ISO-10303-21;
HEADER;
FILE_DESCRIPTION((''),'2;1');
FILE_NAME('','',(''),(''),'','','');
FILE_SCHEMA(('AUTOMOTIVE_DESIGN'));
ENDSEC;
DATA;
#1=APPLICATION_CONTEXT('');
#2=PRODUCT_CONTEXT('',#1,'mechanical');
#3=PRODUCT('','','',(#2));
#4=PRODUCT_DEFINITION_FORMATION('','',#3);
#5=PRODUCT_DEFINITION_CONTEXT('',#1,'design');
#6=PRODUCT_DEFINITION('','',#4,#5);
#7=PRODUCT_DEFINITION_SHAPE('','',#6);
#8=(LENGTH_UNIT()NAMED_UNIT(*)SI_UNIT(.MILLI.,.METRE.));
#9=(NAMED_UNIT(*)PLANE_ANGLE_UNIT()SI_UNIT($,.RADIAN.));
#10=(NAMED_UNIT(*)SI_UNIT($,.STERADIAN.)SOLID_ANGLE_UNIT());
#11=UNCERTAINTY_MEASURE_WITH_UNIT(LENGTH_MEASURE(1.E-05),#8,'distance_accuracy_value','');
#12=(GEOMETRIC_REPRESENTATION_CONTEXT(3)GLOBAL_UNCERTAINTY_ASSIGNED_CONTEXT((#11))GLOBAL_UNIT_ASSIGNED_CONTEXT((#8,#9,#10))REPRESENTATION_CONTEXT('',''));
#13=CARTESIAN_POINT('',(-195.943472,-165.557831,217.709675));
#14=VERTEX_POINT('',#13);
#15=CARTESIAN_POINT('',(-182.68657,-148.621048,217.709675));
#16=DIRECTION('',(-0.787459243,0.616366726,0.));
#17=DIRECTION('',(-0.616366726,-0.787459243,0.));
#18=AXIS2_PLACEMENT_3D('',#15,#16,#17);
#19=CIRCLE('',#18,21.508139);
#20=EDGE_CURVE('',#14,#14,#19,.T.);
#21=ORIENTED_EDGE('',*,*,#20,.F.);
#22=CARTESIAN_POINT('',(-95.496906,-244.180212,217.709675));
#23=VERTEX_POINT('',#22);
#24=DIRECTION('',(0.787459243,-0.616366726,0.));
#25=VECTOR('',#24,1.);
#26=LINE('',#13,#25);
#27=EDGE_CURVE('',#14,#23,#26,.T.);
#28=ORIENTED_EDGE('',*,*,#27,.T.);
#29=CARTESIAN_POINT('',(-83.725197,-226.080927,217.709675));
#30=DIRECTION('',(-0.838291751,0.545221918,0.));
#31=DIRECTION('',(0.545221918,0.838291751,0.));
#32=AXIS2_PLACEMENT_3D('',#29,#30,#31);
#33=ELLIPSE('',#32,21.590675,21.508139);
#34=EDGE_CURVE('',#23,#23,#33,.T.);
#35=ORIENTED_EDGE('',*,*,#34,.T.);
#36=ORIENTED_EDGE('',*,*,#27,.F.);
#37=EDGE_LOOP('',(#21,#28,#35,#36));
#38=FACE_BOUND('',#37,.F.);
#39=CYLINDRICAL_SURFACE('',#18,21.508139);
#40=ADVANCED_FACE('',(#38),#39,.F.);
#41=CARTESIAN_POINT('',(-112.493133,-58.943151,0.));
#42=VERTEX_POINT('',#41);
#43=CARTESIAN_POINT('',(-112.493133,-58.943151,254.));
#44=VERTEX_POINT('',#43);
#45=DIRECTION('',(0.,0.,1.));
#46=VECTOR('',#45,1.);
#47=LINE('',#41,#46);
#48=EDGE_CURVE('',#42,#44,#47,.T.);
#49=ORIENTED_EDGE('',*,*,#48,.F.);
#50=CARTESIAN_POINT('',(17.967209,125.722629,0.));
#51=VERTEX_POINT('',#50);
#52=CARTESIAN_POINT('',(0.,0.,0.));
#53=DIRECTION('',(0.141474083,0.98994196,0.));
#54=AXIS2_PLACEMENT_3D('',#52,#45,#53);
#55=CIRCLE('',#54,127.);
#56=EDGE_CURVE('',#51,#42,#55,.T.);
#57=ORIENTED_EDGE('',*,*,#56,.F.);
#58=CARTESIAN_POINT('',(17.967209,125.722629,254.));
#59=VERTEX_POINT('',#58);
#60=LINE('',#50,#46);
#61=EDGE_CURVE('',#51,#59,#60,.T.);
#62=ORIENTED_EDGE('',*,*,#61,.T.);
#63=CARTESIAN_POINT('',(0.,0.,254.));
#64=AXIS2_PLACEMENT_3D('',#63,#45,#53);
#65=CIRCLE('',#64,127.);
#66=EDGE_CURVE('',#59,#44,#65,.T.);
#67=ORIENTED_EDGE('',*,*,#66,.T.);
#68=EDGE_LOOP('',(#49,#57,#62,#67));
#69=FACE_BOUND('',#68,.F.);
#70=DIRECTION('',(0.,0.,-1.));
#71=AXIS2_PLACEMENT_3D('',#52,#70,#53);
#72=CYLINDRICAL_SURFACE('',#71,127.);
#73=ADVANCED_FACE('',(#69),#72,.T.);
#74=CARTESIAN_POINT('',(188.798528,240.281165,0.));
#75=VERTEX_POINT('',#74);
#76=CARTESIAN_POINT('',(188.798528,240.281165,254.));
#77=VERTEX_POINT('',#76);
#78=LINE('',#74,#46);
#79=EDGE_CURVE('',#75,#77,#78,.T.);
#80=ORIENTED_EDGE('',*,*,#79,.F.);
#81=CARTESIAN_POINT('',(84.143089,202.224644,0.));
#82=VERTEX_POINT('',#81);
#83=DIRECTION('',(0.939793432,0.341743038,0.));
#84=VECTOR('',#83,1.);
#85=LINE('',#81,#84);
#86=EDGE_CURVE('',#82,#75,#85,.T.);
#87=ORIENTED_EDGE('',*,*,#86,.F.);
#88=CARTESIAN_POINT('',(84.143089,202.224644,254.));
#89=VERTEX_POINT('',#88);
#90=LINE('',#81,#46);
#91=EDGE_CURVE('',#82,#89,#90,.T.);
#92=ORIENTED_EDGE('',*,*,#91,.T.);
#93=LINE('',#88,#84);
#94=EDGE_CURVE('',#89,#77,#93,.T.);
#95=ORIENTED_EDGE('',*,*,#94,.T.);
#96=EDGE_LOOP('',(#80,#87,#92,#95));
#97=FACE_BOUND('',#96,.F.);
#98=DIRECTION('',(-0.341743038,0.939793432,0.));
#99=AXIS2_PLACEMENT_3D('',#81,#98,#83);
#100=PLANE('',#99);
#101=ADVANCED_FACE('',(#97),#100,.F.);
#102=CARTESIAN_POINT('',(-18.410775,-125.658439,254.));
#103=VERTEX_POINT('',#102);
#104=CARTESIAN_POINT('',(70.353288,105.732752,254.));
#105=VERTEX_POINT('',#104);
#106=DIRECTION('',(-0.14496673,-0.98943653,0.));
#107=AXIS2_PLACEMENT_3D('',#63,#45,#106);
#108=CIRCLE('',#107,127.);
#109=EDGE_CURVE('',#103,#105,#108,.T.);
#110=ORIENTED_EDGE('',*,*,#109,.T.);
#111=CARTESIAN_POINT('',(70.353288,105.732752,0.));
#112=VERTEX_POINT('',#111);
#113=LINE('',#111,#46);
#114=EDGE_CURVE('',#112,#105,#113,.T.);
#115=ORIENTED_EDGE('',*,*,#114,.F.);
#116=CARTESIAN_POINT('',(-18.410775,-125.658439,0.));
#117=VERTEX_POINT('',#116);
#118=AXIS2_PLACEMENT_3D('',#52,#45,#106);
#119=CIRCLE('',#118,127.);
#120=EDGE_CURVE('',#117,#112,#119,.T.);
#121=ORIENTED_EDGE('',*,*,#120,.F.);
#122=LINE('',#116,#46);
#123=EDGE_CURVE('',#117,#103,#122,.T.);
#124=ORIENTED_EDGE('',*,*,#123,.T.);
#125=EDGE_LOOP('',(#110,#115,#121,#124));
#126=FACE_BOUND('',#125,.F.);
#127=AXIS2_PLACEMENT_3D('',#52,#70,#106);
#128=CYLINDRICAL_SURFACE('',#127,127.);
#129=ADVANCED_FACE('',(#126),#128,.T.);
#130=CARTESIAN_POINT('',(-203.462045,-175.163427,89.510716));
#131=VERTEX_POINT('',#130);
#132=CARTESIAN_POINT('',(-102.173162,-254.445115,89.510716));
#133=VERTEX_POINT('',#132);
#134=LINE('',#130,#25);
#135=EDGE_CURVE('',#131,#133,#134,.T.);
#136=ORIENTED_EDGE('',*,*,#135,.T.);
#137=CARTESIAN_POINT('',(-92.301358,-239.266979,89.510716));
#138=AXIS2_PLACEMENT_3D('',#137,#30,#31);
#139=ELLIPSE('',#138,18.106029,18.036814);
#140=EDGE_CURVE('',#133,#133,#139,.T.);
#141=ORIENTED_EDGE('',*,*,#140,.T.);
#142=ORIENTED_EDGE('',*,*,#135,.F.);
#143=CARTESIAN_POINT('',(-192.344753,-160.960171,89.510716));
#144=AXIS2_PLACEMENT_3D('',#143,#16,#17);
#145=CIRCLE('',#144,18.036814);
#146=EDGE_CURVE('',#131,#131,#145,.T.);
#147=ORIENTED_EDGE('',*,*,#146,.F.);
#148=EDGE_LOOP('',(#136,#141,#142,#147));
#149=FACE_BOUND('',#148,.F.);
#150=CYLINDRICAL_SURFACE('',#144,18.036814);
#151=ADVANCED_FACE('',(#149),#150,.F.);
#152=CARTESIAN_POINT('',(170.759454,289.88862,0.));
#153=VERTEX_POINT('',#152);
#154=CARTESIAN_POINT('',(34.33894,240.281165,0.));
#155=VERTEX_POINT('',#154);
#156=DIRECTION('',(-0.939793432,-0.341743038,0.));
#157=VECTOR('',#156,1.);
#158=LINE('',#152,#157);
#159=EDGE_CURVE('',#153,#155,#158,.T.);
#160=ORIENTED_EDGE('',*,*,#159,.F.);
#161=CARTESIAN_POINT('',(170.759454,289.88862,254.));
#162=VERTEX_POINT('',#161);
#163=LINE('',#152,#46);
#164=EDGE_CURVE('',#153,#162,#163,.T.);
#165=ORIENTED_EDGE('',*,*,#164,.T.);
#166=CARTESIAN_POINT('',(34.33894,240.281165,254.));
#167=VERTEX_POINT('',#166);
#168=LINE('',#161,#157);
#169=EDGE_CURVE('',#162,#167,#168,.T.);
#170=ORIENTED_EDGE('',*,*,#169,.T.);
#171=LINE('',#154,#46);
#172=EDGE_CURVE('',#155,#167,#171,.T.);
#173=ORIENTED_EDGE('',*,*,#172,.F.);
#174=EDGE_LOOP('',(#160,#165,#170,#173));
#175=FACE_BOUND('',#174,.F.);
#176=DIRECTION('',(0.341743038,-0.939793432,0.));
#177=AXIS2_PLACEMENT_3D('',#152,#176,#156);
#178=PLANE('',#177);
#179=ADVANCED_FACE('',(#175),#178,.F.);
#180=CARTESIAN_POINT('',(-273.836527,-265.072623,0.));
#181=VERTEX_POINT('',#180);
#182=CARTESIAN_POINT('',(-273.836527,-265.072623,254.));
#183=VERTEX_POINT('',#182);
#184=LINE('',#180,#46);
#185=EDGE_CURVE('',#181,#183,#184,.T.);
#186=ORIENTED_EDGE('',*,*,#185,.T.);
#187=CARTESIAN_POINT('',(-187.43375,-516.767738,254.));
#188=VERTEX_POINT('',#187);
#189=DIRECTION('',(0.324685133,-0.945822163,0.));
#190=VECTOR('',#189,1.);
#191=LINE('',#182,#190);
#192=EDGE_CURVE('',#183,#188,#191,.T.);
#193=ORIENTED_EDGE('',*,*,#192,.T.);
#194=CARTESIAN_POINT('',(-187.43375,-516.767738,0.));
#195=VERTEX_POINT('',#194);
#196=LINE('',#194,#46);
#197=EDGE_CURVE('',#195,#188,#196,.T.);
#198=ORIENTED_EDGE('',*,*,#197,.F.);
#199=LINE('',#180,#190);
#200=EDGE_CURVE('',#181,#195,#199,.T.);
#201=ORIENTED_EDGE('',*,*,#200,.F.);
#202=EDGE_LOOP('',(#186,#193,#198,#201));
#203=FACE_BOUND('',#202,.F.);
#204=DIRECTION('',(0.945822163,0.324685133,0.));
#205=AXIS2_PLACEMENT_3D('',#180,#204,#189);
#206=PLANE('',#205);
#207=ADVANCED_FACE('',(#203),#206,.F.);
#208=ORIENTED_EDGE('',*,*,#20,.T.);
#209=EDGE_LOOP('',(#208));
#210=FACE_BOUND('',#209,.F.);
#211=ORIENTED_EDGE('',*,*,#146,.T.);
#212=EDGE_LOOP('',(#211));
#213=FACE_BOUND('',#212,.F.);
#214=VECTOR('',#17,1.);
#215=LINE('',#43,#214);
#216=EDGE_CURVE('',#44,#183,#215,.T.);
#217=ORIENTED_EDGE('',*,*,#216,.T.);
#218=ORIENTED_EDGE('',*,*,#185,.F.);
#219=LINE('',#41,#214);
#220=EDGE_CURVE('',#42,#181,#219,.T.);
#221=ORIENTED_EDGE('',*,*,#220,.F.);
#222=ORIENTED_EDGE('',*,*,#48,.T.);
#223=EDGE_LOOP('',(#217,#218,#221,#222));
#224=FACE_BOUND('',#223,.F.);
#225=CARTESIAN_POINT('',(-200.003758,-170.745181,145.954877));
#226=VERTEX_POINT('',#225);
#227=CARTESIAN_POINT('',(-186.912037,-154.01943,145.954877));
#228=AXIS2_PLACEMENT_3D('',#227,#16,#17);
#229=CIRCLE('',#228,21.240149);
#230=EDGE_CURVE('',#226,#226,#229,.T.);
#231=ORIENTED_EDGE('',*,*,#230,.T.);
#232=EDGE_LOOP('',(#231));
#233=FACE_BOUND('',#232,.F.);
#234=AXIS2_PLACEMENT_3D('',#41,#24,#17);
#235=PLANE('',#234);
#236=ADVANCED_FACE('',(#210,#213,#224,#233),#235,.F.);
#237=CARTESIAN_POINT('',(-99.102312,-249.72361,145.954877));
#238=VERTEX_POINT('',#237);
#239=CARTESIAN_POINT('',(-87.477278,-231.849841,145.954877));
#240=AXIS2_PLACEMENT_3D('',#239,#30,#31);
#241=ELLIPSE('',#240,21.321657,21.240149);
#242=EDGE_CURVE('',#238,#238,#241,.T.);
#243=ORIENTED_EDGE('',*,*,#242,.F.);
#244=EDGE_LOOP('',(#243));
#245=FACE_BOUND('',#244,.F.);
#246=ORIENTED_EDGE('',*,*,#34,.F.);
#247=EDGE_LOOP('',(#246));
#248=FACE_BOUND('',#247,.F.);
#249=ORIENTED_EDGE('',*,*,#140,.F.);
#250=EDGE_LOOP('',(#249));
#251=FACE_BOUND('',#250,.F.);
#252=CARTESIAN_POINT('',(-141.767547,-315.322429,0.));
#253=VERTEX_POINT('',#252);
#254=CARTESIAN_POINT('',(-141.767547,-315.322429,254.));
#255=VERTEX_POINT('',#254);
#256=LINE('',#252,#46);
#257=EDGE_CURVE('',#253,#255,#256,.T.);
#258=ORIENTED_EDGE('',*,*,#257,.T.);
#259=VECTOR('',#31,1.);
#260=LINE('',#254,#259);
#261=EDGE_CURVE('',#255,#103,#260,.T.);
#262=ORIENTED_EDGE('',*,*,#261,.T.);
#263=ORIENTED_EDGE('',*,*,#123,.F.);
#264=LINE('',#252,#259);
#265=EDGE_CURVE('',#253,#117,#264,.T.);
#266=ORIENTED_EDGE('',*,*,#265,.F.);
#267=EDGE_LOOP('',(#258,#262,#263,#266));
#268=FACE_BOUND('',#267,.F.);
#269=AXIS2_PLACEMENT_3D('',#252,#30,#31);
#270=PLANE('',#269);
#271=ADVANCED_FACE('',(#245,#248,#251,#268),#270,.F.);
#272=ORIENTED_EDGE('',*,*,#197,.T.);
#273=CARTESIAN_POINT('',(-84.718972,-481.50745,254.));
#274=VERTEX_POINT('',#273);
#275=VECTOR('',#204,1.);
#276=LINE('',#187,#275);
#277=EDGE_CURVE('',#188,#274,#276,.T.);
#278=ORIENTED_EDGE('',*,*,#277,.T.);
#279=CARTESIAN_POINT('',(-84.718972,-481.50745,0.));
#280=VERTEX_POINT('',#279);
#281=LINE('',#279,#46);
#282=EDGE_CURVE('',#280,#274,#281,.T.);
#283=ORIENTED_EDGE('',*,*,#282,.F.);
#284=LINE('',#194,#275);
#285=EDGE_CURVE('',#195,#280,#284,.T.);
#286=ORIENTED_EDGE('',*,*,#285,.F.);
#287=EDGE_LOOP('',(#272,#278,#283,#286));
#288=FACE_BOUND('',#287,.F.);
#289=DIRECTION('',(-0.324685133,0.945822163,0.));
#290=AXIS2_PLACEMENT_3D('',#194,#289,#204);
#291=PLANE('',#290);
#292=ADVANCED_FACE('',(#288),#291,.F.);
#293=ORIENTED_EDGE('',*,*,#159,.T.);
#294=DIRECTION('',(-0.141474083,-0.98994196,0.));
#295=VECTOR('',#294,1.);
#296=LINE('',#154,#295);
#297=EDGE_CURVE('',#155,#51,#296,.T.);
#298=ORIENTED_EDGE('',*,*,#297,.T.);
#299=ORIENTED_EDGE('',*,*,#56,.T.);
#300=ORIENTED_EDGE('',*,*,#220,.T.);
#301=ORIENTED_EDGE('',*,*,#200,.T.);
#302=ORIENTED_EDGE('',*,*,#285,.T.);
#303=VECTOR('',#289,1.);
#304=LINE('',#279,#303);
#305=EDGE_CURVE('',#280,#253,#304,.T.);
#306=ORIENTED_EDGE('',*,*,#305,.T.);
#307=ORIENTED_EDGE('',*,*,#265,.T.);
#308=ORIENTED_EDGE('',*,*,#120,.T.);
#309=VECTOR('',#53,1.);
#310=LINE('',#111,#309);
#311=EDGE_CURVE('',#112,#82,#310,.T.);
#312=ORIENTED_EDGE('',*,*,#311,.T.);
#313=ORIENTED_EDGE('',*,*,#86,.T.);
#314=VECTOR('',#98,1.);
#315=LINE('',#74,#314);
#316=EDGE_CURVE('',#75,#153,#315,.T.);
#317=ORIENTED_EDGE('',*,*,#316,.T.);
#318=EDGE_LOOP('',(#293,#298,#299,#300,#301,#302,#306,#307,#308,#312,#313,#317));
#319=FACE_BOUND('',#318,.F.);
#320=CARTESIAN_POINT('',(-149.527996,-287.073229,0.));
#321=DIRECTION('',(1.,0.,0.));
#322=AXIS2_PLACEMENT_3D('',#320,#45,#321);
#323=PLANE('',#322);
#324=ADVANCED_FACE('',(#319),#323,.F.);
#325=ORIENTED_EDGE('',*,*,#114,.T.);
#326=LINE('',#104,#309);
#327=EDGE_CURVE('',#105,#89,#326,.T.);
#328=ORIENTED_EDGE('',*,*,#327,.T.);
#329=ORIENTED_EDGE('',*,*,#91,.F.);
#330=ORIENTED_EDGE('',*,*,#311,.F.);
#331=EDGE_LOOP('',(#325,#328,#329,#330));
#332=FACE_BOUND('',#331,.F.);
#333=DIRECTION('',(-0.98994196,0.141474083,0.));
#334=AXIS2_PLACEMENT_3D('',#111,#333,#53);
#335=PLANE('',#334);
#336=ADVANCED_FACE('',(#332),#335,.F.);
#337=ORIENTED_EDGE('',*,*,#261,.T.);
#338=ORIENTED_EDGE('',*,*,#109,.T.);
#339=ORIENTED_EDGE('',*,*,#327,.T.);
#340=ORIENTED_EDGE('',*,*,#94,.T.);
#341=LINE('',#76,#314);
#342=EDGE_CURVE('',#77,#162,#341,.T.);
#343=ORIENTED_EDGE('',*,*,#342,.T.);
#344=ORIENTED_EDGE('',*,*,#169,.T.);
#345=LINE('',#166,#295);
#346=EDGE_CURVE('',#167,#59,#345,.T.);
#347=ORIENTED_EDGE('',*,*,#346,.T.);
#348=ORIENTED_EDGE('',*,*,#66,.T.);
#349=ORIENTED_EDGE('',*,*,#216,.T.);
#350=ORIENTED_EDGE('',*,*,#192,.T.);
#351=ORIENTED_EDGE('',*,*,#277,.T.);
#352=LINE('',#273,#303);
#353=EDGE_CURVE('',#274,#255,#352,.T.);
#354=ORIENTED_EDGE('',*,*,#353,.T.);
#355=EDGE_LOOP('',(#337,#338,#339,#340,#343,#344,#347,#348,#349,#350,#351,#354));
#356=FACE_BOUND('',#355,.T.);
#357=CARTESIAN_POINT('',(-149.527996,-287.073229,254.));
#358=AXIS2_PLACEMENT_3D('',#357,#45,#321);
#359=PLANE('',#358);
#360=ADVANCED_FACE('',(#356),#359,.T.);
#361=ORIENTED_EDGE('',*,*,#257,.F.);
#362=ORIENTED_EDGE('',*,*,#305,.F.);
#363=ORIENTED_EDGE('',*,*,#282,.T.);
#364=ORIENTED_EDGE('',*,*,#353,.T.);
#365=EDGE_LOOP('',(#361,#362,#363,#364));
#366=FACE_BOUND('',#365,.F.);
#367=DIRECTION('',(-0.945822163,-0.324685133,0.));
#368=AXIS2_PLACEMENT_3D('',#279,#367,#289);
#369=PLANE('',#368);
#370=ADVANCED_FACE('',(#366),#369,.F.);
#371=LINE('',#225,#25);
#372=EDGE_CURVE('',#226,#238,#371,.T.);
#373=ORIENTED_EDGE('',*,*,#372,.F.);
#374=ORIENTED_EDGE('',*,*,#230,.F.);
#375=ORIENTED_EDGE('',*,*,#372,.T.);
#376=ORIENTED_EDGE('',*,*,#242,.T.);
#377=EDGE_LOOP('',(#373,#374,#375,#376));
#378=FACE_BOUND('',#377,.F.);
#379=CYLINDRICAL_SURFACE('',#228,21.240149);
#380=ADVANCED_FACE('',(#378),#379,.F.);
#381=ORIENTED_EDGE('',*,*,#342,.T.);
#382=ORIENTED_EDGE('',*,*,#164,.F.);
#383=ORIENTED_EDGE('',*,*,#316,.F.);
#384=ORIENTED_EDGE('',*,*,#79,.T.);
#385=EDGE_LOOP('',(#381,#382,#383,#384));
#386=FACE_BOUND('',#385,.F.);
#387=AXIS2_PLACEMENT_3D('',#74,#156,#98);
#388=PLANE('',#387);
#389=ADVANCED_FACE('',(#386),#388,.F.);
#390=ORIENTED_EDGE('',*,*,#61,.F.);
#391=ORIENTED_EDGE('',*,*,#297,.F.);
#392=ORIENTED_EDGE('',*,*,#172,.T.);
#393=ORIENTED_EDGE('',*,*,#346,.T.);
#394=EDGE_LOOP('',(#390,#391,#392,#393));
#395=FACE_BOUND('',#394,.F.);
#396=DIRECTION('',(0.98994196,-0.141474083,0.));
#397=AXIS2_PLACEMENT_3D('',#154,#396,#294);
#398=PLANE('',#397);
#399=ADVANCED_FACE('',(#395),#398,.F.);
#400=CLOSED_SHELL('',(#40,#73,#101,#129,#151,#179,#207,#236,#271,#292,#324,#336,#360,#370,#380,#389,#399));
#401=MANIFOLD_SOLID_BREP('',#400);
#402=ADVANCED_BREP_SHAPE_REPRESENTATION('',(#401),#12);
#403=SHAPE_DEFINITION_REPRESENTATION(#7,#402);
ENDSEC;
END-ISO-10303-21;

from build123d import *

# Parameters (mm, degrees)
F1_DEPTH = 254
F2_R     = 21.5081394254
F2_R_2   = 21.2401491391
F2_R_3   = 18.0368143136
F3_DEPTH = 508


with BuildPart() as f1:
    # F0 (on Top) → F1 (new body)
    with BuildSketch(Plane.XY):
        with BuildLine():
            Line((-141.7675465345, -315.3224289417), (-18.4107747508, -125.6584393229))
            ThreePointArc((-18.4107747508, -125.6584393229), (-73.462171565, -103.5968597447), (-112.4931326493, -58.943151483))
            Line((-112.4931326493, -58.943151483), (-273.8365273383, -265.0726230773))
            Line((-273.8365273383, -265.0726230773), (-187.4337500558, -516.7677376491))
            Line((-187.4337500558, -516.7677376491), (-84.7189724445, -481.5074503422))
            Line((-84.7189724445, -481.5074503422), (-141.7675465345, -315.3224289417))
        make_face()
        with BuildLine():
            ThreePointArc((-18.4107747508, -125.6584393229), (83.0386404231, -96.0915407134), (127, 0))
            ThreePointArc((127, 0), (111.9461200589, 59.975546715), (70.3532881296, 105.7327520182))
            Line((70.3532881296, 105.7327520182), (52.9691206379, -15.9101414205))
            Line((52.9691206379, -15.9101414205), (-18.4107747508, -125.6584393229))
        make_face()
        with BuildLine():
            ThreePointArc((17.9672085759, 125.7226288939), (45.2772164444, 118.654851022), (70.3532881296, 105.7327520182))
            Line((70.3532881296, 105.7327520182), (84.1430885179, 202.2246444238))
            Line((84.1430885179, 202.2246444238), (188.7985277028, 240.2811646461))
            Line((188.7985277028, 240.2811646461), (170.7594543695, 289.8886203766))
            Line((170.7594543695, 289.8886203766), (34.338939935, 240.2811646461))
            Line((34.338939935, 240.2811646461), (17.9672085759, 125.7226288939))
        make_face()
        with BuildLine():
            Line((52.9691206379, -15.9101414205), (70.3532881296, 105.7327520182))
            ThreePointArc((70.3532881296, 105.7327520182), (45.2772164444, 118.654851022), (17.9672085759, 125.7226288939))
            ThreePointArc((17.9672085759, 125.7226288939), (-103.7263235203, 73.279259064), (-112.4931326493, -58.943151483))
            ThreePointArc((-112.4931326493, -58.943151483), (-73.462171565, -103.5968597447), (-18.4107747508, -125.6584393229))
            Line((-18.4107747508, -125.6584393229), (52.9691206379, -15.9101414205))
        make_face()
    extrude(amount=F1_DEPTH)

    # F2 (on face) → F3 (cut)
    with BuildSketch(Plane(origin=(-41.1472336755, 32.2071090171, 0), x_dir=(-0.6163667256, -0.7874592431, 0), z_dir=(-0.7874592431, 0.6163667256, 0))):
        with Locations((229.6349406242, 217.7096754313)):
            Circle(F2_R)
        with Locations((236.4903837442, 145.9548771381)):
            Circle(F2_R_2)
        with Locations((245.304480195, 89.5107164979)):
            Circle(F2_R_3)
    extrude(amount=-F3_DEPTH, mode=Mode.SUBTRACT)


solid = f1.part
